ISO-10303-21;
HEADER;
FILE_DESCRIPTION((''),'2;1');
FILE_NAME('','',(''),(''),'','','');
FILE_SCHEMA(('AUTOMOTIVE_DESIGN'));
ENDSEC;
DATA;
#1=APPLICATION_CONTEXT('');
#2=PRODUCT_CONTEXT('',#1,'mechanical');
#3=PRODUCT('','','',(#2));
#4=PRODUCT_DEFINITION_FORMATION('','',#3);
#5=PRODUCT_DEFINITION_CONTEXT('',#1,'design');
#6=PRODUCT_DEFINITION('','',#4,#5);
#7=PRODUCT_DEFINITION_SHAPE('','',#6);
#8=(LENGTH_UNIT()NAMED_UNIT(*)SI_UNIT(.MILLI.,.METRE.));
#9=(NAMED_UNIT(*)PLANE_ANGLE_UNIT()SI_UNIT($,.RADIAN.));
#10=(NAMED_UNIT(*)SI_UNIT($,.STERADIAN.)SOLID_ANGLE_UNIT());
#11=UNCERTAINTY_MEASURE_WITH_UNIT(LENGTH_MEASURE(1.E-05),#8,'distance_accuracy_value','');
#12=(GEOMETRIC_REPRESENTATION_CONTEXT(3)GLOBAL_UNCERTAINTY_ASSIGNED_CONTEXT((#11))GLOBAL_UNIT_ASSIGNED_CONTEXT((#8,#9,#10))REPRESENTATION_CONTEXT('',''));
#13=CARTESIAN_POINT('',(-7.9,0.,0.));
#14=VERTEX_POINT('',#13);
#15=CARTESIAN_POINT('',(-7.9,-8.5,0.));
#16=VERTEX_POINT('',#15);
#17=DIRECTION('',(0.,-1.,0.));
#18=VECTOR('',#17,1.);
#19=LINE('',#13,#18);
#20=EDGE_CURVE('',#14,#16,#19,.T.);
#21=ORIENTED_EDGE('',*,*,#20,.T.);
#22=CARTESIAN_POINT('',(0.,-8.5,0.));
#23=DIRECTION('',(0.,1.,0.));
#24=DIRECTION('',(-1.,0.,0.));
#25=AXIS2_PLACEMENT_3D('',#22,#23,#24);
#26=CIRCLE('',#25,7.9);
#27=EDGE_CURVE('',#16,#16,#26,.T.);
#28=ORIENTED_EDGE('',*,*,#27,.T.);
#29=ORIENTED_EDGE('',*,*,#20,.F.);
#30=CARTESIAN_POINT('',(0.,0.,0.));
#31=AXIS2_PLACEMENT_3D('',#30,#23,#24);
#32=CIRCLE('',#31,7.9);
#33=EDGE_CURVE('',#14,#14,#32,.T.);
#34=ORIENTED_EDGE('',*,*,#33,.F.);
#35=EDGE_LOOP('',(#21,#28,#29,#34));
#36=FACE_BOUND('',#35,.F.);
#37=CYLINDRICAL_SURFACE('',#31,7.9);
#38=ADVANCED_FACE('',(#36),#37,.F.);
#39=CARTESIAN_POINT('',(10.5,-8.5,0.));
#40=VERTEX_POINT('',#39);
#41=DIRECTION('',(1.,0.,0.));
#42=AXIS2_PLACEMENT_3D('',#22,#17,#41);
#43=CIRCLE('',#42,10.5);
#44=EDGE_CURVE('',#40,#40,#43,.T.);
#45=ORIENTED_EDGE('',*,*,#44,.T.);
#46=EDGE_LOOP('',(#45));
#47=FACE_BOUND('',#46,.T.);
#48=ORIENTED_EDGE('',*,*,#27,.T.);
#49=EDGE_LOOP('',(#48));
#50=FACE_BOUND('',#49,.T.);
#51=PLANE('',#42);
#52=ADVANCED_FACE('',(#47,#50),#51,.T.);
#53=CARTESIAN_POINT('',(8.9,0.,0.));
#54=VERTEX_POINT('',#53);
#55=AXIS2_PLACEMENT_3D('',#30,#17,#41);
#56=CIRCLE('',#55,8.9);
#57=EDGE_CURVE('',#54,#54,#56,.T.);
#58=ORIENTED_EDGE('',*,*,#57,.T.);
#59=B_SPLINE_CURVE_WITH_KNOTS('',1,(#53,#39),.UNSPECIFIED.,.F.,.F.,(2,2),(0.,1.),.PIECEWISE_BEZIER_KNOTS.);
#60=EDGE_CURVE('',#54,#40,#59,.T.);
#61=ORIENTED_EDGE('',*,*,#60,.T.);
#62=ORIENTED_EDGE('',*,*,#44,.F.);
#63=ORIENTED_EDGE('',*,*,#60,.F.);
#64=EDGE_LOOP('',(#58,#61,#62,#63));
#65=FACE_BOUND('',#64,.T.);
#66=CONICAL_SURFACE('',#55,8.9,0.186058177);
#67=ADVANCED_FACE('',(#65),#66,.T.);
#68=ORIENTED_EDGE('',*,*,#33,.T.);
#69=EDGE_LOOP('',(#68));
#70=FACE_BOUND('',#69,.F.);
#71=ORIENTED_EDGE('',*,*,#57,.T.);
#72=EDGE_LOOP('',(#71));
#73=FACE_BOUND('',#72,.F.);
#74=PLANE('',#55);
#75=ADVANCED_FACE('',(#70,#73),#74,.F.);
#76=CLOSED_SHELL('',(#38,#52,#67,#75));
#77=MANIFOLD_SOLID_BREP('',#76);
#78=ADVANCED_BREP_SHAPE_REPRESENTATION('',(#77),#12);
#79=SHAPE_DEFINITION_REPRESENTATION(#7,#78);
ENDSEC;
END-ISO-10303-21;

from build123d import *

# Parameters (mm, degrees)
F0_R     = 8.9
F2_R     = 10.5
F4_R     = 7.9
F5_DEPTH = 8.501


with BuildPart() as f3:
    # F0 (on Front) → F3 section 0
    with BuildSketch(Plane.XZ):
        Circle(F0_R)
    # F2 (on offset) → F3 section 1
    with BuildSketch(Plane.XZ.offset(8.5)):
        Circle(F2_R)
    loft()

    # F4 (on face) → F5 (cut, through all)
    with BuildSketch(Plane(origin=(0, 0, 0), x_dir=(-1, 0, 0), z_dir=(0, 1, 0))):
        Circle(F4_R)
    extrude(amount=-F5_DEPTH, mode=Mode.SUBTRACT)


solid = f3.part
